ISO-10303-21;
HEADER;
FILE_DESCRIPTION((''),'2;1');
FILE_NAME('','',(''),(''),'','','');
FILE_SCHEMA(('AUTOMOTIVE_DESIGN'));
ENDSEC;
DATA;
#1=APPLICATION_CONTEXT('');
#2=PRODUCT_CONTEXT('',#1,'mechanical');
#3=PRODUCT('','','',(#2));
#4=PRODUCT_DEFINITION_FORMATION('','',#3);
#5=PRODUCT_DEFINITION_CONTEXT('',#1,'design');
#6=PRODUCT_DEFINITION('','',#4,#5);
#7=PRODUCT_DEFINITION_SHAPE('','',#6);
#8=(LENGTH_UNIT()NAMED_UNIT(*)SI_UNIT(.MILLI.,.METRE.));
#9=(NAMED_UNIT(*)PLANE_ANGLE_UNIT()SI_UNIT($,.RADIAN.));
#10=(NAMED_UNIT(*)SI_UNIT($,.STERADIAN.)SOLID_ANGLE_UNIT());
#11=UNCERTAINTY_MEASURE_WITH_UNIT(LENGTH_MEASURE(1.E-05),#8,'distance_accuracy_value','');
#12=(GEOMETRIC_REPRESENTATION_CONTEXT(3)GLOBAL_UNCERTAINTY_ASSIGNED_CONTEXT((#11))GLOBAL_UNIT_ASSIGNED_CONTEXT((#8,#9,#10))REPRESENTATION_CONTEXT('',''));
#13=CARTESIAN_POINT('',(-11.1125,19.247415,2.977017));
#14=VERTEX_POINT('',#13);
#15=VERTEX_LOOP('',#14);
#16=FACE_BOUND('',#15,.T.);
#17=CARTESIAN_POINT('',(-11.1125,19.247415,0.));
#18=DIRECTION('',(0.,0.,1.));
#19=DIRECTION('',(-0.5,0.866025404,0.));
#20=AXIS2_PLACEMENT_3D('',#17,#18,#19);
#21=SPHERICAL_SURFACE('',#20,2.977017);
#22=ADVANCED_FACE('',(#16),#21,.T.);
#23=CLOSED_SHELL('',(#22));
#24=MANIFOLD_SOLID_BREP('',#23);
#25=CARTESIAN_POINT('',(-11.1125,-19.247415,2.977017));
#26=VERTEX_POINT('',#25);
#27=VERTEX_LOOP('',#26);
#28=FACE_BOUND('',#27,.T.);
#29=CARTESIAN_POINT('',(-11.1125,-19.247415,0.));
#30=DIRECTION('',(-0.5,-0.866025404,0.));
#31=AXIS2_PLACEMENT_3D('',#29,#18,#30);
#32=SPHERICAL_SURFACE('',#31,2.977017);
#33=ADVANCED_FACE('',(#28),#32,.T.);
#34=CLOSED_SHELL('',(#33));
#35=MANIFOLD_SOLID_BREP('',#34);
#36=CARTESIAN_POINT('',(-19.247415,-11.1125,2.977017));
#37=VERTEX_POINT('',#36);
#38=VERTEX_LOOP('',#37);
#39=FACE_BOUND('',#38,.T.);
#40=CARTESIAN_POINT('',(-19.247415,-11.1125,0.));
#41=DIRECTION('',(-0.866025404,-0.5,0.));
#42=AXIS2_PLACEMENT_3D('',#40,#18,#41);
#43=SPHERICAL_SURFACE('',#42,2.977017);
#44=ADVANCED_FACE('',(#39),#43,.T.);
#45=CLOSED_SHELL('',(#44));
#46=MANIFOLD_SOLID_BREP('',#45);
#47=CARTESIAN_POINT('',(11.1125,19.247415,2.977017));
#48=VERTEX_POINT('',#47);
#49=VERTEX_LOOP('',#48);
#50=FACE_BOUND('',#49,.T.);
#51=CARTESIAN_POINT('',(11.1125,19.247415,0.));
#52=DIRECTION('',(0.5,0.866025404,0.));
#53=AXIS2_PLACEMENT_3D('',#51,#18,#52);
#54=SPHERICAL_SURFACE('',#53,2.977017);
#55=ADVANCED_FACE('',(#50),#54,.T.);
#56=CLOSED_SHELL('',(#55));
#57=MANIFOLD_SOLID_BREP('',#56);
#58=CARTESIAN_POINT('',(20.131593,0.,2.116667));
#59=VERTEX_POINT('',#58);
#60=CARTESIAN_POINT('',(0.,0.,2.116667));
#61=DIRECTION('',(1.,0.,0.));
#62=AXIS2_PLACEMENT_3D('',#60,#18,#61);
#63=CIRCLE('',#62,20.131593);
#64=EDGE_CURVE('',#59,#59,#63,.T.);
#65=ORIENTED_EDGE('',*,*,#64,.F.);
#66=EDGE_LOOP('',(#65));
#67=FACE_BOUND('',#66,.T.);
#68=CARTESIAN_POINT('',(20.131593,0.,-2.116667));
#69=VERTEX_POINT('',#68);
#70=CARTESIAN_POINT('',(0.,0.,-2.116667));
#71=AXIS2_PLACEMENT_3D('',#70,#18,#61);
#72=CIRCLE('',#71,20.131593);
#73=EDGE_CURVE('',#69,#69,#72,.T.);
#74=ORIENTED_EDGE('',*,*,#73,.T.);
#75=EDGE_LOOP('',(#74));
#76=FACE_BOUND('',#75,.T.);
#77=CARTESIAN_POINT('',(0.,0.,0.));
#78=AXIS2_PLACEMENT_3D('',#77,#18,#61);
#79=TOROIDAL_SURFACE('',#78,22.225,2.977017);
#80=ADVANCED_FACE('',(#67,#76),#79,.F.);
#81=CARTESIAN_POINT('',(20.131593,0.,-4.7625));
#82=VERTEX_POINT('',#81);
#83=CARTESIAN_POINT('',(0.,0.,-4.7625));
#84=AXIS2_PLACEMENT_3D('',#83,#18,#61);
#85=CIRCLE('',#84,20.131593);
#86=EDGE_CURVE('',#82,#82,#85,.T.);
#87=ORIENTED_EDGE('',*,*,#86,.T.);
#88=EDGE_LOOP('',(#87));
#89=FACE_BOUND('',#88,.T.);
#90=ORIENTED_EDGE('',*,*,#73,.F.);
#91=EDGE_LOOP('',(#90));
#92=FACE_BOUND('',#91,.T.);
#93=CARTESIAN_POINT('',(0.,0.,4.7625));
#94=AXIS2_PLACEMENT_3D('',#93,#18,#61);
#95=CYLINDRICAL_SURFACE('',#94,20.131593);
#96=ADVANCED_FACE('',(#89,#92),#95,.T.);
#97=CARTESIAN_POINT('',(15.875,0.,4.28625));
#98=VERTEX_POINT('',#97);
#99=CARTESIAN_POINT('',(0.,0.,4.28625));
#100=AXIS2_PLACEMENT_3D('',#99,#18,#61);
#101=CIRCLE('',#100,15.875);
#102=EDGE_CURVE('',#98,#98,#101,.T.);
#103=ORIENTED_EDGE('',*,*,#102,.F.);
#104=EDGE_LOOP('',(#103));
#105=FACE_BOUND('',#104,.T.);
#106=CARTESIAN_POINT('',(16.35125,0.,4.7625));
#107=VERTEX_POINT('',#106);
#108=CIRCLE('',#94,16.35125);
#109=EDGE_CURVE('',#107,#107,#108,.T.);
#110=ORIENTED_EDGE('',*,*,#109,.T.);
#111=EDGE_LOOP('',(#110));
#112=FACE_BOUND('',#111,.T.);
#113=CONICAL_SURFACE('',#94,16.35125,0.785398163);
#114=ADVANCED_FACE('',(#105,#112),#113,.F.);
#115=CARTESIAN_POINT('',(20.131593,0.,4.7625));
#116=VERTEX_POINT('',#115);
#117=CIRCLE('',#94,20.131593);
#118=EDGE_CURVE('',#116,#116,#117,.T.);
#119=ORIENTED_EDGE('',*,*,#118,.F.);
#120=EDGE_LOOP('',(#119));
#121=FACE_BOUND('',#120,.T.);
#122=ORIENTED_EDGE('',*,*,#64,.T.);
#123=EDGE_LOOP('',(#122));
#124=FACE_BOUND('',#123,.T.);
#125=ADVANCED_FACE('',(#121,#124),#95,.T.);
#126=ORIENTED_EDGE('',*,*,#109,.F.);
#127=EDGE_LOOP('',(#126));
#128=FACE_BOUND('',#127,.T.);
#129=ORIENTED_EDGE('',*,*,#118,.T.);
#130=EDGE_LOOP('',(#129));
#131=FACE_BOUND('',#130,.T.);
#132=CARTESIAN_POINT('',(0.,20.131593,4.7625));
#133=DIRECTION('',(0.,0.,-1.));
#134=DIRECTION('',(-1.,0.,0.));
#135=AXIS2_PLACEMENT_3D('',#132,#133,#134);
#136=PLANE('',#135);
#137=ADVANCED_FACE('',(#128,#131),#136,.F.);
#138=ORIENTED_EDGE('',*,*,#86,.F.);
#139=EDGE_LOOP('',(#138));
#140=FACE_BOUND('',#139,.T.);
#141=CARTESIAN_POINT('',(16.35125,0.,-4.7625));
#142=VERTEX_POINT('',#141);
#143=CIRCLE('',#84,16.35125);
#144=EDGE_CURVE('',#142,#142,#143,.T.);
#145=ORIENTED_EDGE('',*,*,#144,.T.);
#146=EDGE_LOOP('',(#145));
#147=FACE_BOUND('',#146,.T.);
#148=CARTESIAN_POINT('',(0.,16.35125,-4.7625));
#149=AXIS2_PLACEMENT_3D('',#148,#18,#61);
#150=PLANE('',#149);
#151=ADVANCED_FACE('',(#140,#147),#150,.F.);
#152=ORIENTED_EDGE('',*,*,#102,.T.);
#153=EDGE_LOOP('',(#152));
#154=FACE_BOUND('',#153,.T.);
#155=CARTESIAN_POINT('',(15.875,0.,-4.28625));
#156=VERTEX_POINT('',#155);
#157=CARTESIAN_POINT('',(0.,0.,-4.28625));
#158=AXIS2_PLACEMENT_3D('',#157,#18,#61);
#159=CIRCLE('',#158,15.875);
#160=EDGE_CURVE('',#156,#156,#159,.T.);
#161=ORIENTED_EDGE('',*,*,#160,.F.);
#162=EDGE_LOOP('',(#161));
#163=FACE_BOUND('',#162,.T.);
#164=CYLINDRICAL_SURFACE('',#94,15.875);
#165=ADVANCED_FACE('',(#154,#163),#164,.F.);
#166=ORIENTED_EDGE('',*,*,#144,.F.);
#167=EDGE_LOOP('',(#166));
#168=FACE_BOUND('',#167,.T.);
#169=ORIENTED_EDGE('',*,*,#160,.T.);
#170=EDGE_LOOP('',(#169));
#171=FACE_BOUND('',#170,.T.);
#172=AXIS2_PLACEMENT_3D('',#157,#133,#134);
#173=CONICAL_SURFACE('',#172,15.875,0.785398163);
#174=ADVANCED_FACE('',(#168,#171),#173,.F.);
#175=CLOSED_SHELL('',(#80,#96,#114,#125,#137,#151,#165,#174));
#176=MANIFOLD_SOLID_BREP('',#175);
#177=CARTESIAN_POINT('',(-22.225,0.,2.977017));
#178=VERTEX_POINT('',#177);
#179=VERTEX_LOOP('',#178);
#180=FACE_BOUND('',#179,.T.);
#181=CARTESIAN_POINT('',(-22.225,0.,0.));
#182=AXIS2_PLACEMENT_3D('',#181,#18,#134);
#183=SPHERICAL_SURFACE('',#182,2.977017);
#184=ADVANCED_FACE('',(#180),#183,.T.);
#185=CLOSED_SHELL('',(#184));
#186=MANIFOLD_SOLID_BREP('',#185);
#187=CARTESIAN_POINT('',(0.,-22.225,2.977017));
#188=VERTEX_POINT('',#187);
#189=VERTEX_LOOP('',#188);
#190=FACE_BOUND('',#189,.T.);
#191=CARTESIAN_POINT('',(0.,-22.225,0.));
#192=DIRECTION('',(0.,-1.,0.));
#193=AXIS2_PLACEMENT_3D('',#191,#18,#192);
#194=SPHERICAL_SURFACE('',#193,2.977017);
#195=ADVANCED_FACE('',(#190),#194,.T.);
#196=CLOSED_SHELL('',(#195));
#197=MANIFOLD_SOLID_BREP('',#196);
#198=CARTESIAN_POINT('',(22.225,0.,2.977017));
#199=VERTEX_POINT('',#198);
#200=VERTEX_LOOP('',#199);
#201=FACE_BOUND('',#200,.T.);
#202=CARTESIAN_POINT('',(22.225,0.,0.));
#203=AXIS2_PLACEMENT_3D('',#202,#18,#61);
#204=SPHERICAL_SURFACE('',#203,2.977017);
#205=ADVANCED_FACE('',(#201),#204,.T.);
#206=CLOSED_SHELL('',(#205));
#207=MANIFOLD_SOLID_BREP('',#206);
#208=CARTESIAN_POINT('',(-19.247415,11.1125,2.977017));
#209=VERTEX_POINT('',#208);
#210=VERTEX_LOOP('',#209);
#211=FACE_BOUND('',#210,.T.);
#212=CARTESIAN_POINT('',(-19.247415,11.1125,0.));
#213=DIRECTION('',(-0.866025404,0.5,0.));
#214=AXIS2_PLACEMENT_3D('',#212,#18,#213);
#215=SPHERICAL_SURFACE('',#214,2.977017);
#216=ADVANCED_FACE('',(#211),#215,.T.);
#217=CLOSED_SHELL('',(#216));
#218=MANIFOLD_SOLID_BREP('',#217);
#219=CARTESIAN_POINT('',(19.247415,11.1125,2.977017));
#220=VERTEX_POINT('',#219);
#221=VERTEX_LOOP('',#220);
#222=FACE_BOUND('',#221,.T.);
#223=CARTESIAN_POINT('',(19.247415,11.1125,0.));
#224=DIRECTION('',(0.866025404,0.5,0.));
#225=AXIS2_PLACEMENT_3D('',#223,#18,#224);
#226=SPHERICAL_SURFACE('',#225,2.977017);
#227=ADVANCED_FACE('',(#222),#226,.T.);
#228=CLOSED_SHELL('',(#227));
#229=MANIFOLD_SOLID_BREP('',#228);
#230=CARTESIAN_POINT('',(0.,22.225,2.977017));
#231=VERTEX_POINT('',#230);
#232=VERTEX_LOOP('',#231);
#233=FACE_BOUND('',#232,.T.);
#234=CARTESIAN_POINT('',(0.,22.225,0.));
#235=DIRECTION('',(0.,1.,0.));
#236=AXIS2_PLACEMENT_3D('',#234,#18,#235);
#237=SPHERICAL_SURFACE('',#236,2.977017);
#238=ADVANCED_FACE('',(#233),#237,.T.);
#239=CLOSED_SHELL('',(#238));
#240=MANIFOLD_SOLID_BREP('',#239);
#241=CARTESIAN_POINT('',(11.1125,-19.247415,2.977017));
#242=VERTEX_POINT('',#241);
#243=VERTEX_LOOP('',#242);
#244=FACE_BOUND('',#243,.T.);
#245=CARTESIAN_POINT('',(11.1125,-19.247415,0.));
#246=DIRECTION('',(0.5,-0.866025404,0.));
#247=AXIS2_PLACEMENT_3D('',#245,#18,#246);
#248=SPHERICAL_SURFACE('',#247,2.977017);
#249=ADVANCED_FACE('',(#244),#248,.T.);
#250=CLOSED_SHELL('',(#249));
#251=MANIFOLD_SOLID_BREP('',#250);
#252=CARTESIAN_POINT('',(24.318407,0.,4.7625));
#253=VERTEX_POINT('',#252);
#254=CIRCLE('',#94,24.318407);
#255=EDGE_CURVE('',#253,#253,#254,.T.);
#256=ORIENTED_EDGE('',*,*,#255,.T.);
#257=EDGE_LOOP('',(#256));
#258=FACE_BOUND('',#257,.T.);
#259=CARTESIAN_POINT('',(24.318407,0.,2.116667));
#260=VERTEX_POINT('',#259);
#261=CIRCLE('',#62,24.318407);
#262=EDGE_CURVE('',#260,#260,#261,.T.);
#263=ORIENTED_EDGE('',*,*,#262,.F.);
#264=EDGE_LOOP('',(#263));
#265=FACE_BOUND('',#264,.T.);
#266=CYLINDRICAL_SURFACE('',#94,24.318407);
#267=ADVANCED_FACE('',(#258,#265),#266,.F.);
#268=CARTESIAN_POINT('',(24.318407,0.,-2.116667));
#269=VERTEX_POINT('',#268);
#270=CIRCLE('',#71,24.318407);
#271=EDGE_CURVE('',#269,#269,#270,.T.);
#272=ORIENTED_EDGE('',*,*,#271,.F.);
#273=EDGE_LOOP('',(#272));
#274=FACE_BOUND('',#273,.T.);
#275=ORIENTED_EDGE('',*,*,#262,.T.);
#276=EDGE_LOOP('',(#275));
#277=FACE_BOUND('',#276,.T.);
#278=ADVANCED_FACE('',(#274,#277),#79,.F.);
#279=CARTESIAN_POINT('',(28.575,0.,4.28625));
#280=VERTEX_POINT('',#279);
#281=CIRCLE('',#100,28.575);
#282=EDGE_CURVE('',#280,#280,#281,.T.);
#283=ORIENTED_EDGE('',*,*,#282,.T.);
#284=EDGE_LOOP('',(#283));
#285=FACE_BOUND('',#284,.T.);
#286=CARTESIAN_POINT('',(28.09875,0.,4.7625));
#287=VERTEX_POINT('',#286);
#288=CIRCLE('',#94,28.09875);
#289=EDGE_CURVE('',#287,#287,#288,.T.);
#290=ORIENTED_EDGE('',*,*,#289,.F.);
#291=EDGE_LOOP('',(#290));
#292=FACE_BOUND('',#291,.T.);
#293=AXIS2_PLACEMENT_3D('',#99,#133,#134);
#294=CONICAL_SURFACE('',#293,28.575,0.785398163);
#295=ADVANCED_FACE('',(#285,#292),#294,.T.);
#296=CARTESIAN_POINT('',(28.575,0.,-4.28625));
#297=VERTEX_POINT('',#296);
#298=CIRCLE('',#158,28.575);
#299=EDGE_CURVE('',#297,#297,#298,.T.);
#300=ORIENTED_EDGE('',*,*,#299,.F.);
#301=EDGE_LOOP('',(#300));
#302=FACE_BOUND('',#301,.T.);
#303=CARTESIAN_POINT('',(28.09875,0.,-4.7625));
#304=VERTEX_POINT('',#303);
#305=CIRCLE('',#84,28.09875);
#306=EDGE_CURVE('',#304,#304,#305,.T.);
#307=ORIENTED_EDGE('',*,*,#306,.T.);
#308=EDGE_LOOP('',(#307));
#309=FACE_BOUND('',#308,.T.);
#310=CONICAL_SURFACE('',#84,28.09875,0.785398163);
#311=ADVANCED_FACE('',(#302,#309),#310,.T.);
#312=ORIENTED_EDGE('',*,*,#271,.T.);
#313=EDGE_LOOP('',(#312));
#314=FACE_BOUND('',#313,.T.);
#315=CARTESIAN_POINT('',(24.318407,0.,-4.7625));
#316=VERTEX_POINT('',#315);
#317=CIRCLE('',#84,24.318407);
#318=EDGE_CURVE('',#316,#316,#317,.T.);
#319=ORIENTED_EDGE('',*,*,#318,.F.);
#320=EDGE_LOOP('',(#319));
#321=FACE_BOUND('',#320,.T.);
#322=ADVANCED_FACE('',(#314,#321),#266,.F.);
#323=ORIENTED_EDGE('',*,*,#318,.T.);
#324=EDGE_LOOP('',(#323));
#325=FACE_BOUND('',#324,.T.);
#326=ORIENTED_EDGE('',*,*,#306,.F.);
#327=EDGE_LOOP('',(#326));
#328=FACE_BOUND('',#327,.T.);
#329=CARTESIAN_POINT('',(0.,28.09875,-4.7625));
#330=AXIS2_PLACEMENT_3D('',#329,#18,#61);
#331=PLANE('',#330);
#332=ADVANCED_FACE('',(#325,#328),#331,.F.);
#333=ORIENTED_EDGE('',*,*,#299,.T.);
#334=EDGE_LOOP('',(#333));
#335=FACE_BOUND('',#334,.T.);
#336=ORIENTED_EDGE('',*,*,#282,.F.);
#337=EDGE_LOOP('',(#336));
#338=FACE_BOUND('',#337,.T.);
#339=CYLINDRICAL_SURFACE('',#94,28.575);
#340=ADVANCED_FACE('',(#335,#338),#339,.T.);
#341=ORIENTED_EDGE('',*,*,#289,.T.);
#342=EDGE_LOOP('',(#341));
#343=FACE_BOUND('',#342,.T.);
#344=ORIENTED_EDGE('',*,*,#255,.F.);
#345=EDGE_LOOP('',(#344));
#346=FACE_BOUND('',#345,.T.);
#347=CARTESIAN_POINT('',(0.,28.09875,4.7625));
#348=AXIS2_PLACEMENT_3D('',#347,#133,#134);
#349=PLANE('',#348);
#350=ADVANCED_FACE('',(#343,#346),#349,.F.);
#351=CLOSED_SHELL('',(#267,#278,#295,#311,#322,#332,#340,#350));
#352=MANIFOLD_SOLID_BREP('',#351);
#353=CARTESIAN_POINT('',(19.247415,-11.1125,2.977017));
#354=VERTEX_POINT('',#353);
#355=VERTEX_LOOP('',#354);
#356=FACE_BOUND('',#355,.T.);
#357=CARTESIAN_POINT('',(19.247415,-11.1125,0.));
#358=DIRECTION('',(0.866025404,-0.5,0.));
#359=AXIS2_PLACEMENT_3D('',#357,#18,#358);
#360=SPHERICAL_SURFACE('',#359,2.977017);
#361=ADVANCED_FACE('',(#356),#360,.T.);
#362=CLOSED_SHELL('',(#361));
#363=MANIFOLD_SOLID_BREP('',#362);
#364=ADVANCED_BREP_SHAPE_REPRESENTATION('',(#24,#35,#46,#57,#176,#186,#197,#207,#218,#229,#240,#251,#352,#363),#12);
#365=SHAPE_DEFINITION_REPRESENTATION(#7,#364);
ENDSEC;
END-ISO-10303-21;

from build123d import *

# Parameters (mm, degrees)
CIRPATTERN1_COUNT = 12


with BuildPart() as part:
    # Sketch1 → Revolve1 (revolve)
    with BuildSketch(Plane(origin=(0, 0, 0), x_dir=(0, 0, -1), z_dir=(1, 0, 0))):
        with BuildLine():
            Line((4.28625, 28.575), (-4.28625, 28.575))
            Line((-4.28625, 28.575), (-4.7625, 28.09875))
            Line((-4.7625, 28.09875), (-4.7625, 24.318406593))
            Line((-4.7625, 24.318406593), (-2.116666667, 24.318406593))
            ThreePointArc((-2.116666667, 24.318406593), (0, 25.202016786), (2.116666667, 24.318406593))
            Line((2.116666667, 24.318406593), (4.7625, 24.318406593))
            Line((4.7625, 24.318406593), (4.7625, 28.09875))
            Line((4.7625, 28.09875), (4.28625, 28.575))
        make_face()
    revolve(axis=Axis((0, 0, 4.7625), (0, 0, -1)))


with BuildPart() as body_2:
    # Sketch3 → Revolve3 (revolve)
    with BuildSketch(Plane(origin=(0, 0, 0), x_dir=(0, 0, -1), z_dir=(1, 0, 0))):
        with BuildLine():
            Line((-4.7625, 20.131593407), (-2.116666667, 20.131593407))
            ThreePointArc((-2.116666667, 20.131593407), (0, 19.247983214), (2.116666667, 20.131593407))
            Line((2.116666667, 20.131593407), (4.7625, 20.131593407))
            Line((4.7625, 20.131593407), (4.7625, 16.35125))
            Line((4.7625, 16.35125), (4.28625, 15.875))
            Line((4.28625, 15.875), (-4.28625, 15.875))
            Line((-4.28625, 15.875), (-4.7625, 16.35125))
            Line((-4.7625, 16.35125), (-4.7625, 20.131593407))
        make_face()
    revolve(axis=Axis((0, 0, 4.7625), (0, 0, -1)))


with BuildPart() as body_3:
    # Sketch4 → Revolve4 (revolve)
    with BuildSketch(Plane(origin=(0, 0, 0), x_dir=(0, 0, -1), z_dir=(1, 0, 0))):
        with BuildLine():
            Line((-2.977016786, 22.225), (2.977016786, 22.225))
            ThreePointArc((2.977016786, 22.225), (0, 25.202016786), (-2.977016786, 22.225))
        make_face()
    revolve(axis=Axis((0, 22.225, 2.977016786), (0, 0, -1)))


with BuildPart() as cirpattern1_1:
    # CirPattern1: pattern copy
    add(body_3.part.rotate(Axis((0, 0, -4.7625), (0, 0, 1)), 1 * 360 / CIRPATTERN1_COUNT))


with BuildPart() as cirpattern1_2:
    # CirPattern1: pattern copy
    add(body_3.part.rotate(Axis((0, 0, -4.7625), (0, 0, 1)), 2 * 360 / CIRPATTERN1_COUNT))


with BuildPart() as cirpattern1_3:
    # CirPattern1: pattern copy
    add(body_3.part.rotate(Axis((0, 0, -4.7625), (0, 0, 1)), 3 * 360 / CIRPATTERN1_COUNT))


with BuildPart() as cirpattern1_4:
    # CirPattern1: pattern copy
    add(body_3.part.rotate(Axis((0, 0, -4.7625), (0, 0, 1)), 4 * 360 / CIRPATTERN1_COUNT))


with BuildPart() as cirpattern1_5:
    # CirPattern1: pattern copy
    add(body_3.part.rotate(Axis((0, 0, -4.7625), (0, 0, 1)), 5 * 360 / CIRPATTERN1_COUNT))


with BuildPart() as cirpattern1_6:
    # CirPattern1: pattern copy
    add(body_3.part.rotate(Axis((0, 0, -4.7625), (0, 0, 1)), 6 * 360 / CIRPATTERN1_COUNT))


with BuildPart() as cirpattern1_7:
    # CirPattern1: pattern copy
    add(body_3.part.rotate(Axis((0, 0, -4.7625), (0, 0, 1)), 7 * 360 / CIRPATTERN1_COUNT))


with BuildPart() as cirpattern1_8:
    # CirPattern1: pattern copy
    add(body_3.part.rotate(Axis((0, 0, -4.7625), (0, 0, 1)), 8 * 360 / CIRPATTERN1_COUNT))


with BuildPart() as cirpattern1_9:
    # CirPattern1: pattern copy
    add(body_3.part.rotate(Axis((0, 0, -4.7625), (0, 0, 1)), 9 * 360 / CIRPATTERN1_COUNT))


with BuildPart() as cirpattern1_10:
    # CirPattern1: pattern copy
    add(body_3.part.rotate(Axis((0, 0, -4.7625), (0, 0, 1)), 10 * 360 / CIRPATTERN1_COUNT))


with BuildPart() as cirpattern1_11:
    # CirPattern1: pattern copy
    add(body_3.part.rotate(Axis((0, 0, -4.7625), (0, 0, 1)), 11 * 360 / CIRPATTERN1_COUNT))


solid = Compound([part.part, body_2.part, body_3.part, cirpattern1_1.part, cirpattern1_2.part, cirpattern1_3.part, cirpattern1_4.part, cirpattern1_5.part, cirpattern1_6.part, cirpattern1_7.part, cirpattern1_8.part, cirpattern1_9.part, cirpattern1_10.part, cirpattern1_11.part])
